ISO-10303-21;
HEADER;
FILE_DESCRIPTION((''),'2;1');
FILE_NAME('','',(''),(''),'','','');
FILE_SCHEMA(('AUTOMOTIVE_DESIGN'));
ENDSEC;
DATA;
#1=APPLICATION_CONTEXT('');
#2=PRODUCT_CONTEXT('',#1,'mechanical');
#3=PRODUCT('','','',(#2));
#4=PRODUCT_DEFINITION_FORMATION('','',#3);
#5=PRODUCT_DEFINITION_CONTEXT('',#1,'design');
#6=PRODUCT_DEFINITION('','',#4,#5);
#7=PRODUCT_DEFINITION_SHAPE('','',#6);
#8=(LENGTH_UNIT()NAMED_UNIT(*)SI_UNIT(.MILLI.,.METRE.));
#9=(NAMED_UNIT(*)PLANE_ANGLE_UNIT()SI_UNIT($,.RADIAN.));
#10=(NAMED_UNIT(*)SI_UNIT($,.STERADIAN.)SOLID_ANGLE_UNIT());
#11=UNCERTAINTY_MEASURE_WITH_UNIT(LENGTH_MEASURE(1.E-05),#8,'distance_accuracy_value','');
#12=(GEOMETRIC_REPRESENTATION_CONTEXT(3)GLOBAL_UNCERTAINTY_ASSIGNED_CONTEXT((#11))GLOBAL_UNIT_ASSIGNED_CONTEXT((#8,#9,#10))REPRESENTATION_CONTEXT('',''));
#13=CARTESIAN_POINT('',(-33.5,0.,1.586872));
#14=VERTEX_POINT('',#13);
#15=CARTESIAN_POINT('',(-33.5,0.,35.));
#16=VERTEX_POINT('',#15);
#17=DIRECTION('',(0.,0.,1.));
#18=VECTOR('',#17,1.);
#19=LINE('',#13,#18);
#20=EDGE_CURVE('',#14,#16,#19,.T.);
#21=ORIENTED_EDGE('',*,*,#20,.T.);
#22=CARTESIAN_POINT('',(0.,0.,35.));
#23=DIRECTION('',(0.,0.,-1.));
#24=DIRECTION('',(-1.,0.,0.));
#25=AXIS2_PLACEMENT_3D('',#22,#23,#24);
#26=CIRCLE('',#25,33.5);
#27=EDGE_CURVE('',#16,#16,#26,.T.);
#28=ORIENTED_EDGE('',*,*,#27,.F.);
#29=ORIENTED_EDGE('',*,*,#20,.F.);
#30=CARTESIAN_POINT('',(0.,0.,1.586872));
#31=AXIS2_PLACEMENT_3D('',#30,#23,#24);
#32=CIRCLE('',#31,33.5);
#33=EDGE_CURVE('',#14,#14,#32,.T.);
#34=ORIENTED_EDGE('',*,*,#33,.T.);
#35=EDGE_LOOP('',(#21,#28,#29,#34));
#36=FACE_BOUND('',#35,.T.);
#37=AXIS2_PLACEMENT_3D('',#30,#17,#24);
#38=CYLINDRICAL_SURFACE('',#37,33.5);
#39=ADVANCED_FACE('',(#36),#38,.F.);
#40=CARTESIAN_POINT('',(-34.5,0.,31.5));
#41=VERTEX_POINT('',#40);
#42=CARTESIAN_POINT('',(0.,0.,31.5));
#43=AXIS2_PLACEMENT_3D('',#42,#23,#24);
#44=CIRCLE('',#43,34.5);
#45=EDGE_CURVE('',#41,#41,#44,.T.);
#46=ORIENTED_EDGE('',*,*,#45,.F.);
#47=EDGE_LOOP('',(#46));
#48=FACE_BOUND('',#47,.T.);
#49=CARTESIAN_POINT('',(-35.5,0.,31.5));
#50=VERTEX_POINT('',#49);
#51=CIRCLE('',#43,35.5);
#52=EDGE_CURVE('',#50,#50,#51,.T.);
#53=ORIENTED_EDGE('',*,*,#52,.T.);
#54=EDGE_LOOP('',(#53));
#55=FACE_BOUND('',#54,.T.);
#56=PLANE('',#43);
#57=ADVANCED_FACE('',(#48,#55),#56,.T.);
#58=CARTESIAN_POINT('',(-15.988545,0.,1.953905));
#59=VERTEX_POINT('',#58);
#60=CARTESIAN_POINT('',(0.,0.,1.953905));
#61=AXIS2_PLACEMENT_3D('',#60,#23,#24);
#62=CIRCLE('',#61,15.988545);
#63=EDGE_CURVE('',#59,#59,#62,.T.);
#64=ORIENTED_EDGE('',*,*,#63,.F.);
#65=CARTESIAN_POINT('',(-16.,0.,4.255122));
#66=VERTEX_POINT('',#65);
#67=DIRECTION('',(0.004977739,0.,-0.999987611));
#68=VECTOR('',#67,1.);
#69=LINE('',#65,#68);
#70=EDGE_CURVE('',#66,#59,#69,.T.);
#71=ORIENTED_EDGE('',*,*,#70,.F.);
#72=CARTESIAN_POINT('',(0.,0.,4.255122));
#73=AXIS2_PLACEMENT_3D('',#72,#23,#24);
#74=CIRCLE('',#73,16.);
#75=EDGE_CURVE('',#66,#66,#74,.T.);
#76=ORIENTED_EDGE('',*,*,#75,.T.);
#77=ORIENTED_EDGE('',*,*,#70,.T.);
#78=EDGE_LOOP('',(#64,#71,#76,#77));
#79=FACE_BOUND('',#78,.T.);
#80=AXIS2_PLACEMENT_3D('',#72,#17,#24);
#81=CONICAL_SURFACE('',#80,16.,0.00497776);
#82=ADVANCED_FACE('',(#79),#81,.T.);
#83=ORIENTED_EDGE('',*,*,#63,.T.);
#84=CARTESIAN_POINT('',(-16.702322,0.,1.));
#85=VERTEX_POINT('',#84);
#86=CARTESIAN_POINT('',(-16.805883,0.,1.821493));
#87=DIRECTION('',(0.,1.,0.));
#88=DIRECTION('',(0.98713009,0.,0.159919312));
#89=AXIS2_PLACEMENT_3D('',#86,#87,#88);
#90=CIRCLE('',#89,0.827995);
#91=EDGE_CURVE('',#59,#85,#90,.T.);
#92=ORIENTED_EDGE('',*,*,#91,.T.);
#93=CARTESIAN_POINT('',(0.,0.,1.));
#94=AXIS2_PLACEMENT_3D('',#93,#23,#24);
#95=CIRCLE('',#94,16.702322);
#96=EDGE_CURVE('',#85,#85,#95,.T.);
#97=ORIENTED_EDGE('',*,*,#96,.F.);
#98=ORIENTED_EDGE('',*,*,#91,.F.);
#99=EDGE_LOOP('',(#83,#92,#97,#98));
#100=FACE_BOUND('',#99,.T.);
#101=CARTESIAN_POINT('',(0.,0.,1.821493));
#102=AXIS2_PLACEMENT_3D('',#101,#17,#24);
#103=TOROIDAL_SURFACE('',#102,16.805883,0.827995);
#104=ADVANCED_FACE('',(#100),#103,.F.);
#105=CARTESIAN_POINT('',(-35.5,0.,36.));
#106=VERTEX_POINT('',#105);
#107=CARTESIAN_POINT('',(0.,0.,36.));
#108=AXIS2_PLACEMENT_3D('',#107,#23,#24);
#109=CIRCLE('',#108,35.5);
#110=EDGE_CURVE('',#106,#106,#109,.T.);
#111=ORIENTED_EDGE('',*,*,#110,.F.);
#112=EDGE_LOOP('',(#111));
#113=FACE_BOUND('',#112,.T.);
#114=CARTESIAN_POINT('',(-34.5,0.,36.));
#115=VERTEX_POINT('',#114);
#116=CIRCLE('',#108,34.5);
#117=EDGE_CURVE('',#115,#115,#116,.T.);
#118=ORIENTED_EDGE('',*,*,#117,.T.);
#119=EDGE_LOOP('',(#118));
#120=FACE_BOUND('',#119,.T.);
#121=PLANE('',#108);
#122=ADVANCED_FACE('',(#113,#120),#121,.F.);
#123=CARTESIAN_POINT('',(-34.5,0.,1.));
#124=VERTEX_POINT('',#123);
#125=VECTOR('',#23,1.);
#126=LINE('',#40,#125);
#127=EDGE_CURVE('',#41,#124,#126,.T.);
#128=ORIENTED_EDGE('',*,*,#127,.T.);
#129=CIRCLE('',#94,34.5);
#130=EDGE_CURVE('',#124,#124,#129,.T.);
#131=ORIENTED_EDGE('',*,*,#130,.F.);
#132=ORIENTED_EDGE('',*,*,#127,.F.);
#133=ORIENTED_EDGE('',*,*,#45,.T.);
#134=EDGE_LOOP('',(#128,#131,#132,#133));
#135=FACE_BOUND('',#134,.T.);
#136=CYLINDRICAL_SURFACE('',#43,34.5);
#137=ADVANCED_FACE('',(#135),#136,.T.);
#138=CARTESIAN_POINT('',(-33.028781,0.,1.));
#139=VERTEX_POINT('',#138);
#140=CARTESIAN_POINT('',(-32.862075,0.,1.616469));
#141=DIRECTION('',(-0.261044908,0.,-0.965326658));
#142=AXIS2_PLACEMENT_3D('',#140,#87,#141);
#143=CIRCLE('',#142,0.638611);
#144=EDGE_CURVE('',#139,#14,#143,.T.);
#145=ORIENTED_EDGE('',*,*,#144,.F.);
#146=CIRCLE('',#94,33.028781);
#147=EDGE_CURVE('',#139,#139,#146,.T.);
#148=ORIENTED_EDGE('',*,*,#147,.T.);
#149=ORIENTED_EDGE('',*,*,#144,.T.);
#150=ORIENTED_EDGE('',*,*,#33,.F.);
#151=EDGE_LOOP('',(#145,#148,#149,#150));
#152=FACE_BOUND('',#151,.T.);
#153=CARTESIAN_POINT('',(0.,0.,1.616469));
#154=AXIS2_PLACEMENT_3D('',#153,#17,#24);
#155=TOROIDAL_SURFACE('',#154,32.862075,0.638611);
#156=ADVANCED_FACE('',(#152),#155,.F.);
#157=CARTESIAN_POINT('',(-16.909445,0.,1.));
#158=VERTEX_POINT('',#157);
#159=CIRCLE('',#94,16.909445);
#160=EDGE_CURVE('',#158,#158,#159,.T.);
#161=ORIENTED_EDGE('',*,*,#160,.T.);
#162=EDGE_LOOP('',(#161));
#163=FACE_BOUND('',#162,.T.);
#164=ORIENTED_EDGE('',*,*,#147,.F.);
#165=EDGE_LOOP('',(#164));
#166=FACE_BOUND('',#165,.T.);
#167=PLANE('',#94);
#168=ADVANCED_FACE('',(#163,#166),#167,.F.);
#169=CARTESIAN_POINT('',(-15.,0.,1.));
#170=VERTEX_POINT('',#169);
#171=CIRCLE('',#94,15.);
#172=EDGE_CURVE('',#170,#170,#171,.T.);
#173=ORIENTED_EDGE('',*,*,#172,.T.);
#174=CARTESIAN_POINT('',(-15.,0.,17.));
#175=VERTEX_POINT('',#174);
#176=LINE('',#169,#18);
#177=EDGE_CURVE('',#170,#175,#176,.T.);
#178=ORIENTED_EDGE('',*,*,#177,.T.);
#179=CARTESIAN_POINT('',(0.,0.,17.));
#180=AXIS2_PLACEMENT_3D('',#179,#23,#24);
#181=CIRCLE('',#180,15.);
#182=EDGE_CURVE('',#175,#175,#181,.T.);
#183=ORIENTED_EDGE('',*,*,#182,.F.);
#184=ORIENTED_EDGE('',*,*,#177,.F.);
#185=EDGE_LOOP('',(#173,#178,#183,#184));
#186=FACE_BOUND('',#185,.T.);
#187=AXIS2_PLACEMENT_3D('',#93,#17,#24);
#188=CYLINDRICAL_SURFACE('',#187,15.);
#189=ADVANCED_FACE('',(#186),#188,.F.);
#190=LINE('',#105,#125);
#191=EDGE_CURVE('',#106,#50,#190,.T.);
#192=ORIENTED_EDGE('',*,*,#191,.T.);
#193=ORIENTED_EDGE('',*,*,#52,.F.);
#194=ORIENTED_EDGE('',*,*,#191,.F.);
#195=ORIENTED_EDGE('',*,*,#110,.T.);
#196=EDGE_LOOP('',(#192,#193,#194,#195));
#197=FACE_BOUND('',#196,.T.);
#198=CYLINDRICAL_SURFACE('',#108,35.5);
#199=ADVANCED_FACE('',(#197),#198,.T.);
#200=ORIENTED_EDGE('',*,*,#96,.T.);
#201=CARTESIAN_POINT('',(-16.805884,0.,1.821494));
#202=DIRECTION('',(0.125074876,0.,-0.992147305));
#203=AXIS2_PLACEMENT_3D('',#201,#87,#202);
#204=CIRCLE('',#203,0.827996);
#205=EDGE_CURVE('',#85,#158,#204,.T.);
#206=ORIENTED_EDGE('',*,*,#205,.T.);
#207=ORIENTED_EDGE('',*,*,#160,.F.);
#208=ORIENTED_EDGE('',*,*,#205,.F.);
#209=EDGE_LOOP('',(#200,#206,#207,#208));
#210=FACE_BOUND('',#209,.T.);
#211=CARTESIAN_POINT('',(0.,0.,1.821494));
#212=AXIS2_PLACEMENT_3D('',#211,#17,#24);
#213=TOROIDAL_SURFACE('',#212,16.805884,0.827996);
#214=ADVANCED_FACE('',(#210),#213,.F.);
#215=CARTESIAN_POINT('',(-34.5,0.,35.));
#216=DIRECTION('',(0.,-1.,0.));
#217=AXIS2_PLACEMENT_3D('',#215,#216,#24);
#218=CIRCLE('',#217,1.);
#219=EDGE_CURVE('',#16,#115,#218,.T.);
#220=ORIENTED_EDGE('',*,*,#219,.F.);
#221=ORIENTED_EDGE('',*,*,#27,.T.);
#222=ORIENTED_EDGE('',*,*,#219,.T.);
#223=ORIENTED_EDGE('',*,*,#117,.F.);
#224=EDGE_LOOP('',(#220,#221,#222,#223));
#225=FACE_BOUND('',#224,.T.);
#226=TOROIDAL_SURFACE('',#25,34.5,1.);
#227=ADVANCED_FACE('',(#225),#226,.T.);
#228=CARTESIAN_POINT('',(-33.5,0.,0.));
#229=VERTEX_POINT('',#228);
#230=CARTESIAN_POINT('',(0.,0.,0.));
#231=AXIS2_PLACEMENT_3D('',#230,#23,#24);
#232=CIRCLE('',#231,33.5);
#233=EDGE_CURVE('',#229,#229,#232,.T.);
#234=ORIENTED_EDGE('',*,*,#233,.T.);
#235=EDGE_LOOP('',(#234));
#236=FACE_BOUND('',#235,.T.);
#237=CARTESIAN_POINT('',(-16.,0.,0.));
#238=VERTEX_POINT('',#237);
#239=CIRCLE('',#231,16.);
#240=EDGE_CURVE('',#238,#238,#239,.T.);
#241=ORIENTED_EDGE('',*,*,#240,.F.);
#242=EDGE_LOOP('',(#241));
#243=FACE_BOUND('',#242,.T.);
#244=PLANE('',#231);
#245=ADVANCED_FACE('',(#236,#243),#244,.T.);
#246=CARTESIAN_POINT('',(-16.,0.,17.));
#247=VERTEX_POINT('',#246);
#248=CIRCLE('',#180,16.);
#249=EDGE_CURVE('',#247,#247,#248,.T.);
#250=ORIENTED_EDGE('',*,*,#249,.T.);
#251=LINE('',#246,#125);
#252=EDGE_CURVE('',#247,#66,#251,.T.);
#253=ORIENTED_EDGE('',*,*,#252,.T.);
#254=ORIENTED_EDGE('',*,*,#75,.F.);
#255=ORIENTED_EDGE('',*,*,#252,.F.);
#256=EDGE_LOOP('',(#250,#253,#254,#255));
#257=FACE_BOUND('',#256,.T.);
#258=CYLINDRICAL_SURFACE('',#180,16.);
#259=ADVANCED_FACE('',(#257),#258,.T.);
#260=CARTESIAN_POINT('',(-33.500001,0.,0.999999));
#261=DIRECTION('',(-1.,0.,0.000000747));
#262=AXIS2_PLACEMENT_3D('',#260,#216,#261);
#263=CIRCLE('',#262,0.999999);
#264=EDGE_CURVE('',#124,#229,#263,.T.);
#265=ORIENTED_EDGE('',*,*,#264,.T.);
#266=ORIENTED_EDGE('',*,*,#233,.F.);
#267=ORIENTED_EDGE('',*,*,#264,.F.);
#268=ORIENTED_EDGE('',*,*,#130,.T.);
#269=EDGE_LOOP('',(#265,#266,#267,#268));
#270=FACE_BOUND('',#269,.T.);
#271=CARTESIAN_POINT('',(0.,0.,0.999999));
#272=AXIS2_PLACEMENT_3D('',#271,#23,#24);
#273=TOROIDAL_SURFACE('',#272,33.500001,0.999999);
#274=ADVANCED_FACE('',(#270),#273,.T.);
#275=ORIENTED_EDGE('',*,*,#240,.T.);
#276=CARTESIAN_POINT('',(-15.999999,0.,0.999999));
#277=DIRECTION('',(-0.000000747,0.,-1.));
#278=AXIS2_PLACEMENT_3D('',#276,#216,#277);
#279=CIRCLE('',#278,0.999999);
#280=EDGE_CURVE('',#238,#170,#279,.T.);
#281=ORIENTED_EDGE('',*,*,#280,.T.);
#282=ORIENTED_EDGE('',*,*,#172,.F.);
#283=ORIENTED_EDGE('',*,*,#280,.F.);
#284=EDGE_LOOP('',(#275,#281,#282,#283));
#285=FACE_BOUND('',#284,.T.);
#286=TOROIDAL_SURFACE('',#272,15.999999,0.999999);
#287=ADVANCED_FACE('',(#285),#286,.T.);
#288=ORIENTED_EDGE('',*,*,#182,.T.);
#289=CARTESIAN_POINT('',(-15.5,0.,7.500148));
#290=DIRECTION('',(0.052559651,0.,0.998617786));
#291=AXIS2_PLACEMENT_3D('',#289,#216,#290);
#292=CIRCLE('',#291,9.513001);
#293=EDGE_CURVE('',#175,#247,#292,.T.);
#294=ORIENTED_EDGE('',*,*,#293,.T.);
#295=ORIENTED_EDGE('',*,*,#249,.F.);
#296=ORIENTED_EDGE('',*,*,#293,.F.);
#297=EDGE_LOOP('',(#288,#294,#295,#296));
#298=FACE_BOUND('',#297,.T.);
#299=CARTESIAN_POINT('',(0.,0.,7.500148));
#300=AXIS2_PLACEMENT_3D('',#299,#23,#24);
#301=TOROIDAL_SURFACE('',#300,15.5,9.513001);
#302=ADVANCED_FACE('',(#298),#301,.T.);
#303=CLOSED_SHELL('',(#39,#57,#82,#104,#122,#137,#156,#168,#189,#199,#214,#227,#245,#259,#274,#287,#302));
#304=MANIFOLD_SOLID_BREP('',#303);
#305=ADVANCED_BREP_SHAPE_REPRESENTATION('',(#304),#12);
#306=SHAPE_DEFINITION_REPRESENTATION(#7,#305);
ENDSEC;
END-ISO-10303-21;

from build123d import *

# Parameters (mm, degrees)
F2_R = 1


with BuildPart() as f1:
    # F0 (on Front) → F1 (revolve)
    with BuildSketch(Plane.XZ):
        with BuildLine():
            Line((-33.5, 0), (-16, 0))
            ThreePointArc((-16, 0), (-15.292893, 0.292893), (-15, 1))
            Line((-15, 1), (-15, 17))
            ThreePointArc((-15, 17), (-15.5, 17.013149), (-16, 17))
            Line((-16, 17), (-16, 4.255122))
            Line((-16, 4.255122), (-15.988545, 1.953905))
            ThreePointArc((-15.988545, 1.953905), (-16.142937, 1.325431), (-16.702322, 1))
            ThreePointArc((-16.702322, 1), (-16.805884, 0.993498), (-16.909445, 1))
            Line((-16.909445, 1), (-33.028781, 1))
            ThreePointArc((-33.028781, 1), (-33.360033, 1.216641), (-33.5, 1.586872))
            Line((-33.5, 1.586872), (-33.5, 36))
            Line((-33.5, 36), (-35.5, 36))
            Line((-35.5, 36), (-35.5, 31.5))
            Line((-35.5, 31.5), (-34.5, 31.5))
            Line((-34.5, 31.5), (-34.5, 1))
            ThreePointArc((-34.5, 1), (-34.207107, 0.292893), (-33.5, 0))
        make_face()
    revolve(axis=Axis((0, 0, 10.195818), (0, 0, -1)))

    # F2
    f2_edges = [f1.edges().sort_by_distance(p)[0] for p in [
        (33.5, 0, 36),
    ]]
    fillet(f2_edges, radius=F2_R)


solid = f1.part
